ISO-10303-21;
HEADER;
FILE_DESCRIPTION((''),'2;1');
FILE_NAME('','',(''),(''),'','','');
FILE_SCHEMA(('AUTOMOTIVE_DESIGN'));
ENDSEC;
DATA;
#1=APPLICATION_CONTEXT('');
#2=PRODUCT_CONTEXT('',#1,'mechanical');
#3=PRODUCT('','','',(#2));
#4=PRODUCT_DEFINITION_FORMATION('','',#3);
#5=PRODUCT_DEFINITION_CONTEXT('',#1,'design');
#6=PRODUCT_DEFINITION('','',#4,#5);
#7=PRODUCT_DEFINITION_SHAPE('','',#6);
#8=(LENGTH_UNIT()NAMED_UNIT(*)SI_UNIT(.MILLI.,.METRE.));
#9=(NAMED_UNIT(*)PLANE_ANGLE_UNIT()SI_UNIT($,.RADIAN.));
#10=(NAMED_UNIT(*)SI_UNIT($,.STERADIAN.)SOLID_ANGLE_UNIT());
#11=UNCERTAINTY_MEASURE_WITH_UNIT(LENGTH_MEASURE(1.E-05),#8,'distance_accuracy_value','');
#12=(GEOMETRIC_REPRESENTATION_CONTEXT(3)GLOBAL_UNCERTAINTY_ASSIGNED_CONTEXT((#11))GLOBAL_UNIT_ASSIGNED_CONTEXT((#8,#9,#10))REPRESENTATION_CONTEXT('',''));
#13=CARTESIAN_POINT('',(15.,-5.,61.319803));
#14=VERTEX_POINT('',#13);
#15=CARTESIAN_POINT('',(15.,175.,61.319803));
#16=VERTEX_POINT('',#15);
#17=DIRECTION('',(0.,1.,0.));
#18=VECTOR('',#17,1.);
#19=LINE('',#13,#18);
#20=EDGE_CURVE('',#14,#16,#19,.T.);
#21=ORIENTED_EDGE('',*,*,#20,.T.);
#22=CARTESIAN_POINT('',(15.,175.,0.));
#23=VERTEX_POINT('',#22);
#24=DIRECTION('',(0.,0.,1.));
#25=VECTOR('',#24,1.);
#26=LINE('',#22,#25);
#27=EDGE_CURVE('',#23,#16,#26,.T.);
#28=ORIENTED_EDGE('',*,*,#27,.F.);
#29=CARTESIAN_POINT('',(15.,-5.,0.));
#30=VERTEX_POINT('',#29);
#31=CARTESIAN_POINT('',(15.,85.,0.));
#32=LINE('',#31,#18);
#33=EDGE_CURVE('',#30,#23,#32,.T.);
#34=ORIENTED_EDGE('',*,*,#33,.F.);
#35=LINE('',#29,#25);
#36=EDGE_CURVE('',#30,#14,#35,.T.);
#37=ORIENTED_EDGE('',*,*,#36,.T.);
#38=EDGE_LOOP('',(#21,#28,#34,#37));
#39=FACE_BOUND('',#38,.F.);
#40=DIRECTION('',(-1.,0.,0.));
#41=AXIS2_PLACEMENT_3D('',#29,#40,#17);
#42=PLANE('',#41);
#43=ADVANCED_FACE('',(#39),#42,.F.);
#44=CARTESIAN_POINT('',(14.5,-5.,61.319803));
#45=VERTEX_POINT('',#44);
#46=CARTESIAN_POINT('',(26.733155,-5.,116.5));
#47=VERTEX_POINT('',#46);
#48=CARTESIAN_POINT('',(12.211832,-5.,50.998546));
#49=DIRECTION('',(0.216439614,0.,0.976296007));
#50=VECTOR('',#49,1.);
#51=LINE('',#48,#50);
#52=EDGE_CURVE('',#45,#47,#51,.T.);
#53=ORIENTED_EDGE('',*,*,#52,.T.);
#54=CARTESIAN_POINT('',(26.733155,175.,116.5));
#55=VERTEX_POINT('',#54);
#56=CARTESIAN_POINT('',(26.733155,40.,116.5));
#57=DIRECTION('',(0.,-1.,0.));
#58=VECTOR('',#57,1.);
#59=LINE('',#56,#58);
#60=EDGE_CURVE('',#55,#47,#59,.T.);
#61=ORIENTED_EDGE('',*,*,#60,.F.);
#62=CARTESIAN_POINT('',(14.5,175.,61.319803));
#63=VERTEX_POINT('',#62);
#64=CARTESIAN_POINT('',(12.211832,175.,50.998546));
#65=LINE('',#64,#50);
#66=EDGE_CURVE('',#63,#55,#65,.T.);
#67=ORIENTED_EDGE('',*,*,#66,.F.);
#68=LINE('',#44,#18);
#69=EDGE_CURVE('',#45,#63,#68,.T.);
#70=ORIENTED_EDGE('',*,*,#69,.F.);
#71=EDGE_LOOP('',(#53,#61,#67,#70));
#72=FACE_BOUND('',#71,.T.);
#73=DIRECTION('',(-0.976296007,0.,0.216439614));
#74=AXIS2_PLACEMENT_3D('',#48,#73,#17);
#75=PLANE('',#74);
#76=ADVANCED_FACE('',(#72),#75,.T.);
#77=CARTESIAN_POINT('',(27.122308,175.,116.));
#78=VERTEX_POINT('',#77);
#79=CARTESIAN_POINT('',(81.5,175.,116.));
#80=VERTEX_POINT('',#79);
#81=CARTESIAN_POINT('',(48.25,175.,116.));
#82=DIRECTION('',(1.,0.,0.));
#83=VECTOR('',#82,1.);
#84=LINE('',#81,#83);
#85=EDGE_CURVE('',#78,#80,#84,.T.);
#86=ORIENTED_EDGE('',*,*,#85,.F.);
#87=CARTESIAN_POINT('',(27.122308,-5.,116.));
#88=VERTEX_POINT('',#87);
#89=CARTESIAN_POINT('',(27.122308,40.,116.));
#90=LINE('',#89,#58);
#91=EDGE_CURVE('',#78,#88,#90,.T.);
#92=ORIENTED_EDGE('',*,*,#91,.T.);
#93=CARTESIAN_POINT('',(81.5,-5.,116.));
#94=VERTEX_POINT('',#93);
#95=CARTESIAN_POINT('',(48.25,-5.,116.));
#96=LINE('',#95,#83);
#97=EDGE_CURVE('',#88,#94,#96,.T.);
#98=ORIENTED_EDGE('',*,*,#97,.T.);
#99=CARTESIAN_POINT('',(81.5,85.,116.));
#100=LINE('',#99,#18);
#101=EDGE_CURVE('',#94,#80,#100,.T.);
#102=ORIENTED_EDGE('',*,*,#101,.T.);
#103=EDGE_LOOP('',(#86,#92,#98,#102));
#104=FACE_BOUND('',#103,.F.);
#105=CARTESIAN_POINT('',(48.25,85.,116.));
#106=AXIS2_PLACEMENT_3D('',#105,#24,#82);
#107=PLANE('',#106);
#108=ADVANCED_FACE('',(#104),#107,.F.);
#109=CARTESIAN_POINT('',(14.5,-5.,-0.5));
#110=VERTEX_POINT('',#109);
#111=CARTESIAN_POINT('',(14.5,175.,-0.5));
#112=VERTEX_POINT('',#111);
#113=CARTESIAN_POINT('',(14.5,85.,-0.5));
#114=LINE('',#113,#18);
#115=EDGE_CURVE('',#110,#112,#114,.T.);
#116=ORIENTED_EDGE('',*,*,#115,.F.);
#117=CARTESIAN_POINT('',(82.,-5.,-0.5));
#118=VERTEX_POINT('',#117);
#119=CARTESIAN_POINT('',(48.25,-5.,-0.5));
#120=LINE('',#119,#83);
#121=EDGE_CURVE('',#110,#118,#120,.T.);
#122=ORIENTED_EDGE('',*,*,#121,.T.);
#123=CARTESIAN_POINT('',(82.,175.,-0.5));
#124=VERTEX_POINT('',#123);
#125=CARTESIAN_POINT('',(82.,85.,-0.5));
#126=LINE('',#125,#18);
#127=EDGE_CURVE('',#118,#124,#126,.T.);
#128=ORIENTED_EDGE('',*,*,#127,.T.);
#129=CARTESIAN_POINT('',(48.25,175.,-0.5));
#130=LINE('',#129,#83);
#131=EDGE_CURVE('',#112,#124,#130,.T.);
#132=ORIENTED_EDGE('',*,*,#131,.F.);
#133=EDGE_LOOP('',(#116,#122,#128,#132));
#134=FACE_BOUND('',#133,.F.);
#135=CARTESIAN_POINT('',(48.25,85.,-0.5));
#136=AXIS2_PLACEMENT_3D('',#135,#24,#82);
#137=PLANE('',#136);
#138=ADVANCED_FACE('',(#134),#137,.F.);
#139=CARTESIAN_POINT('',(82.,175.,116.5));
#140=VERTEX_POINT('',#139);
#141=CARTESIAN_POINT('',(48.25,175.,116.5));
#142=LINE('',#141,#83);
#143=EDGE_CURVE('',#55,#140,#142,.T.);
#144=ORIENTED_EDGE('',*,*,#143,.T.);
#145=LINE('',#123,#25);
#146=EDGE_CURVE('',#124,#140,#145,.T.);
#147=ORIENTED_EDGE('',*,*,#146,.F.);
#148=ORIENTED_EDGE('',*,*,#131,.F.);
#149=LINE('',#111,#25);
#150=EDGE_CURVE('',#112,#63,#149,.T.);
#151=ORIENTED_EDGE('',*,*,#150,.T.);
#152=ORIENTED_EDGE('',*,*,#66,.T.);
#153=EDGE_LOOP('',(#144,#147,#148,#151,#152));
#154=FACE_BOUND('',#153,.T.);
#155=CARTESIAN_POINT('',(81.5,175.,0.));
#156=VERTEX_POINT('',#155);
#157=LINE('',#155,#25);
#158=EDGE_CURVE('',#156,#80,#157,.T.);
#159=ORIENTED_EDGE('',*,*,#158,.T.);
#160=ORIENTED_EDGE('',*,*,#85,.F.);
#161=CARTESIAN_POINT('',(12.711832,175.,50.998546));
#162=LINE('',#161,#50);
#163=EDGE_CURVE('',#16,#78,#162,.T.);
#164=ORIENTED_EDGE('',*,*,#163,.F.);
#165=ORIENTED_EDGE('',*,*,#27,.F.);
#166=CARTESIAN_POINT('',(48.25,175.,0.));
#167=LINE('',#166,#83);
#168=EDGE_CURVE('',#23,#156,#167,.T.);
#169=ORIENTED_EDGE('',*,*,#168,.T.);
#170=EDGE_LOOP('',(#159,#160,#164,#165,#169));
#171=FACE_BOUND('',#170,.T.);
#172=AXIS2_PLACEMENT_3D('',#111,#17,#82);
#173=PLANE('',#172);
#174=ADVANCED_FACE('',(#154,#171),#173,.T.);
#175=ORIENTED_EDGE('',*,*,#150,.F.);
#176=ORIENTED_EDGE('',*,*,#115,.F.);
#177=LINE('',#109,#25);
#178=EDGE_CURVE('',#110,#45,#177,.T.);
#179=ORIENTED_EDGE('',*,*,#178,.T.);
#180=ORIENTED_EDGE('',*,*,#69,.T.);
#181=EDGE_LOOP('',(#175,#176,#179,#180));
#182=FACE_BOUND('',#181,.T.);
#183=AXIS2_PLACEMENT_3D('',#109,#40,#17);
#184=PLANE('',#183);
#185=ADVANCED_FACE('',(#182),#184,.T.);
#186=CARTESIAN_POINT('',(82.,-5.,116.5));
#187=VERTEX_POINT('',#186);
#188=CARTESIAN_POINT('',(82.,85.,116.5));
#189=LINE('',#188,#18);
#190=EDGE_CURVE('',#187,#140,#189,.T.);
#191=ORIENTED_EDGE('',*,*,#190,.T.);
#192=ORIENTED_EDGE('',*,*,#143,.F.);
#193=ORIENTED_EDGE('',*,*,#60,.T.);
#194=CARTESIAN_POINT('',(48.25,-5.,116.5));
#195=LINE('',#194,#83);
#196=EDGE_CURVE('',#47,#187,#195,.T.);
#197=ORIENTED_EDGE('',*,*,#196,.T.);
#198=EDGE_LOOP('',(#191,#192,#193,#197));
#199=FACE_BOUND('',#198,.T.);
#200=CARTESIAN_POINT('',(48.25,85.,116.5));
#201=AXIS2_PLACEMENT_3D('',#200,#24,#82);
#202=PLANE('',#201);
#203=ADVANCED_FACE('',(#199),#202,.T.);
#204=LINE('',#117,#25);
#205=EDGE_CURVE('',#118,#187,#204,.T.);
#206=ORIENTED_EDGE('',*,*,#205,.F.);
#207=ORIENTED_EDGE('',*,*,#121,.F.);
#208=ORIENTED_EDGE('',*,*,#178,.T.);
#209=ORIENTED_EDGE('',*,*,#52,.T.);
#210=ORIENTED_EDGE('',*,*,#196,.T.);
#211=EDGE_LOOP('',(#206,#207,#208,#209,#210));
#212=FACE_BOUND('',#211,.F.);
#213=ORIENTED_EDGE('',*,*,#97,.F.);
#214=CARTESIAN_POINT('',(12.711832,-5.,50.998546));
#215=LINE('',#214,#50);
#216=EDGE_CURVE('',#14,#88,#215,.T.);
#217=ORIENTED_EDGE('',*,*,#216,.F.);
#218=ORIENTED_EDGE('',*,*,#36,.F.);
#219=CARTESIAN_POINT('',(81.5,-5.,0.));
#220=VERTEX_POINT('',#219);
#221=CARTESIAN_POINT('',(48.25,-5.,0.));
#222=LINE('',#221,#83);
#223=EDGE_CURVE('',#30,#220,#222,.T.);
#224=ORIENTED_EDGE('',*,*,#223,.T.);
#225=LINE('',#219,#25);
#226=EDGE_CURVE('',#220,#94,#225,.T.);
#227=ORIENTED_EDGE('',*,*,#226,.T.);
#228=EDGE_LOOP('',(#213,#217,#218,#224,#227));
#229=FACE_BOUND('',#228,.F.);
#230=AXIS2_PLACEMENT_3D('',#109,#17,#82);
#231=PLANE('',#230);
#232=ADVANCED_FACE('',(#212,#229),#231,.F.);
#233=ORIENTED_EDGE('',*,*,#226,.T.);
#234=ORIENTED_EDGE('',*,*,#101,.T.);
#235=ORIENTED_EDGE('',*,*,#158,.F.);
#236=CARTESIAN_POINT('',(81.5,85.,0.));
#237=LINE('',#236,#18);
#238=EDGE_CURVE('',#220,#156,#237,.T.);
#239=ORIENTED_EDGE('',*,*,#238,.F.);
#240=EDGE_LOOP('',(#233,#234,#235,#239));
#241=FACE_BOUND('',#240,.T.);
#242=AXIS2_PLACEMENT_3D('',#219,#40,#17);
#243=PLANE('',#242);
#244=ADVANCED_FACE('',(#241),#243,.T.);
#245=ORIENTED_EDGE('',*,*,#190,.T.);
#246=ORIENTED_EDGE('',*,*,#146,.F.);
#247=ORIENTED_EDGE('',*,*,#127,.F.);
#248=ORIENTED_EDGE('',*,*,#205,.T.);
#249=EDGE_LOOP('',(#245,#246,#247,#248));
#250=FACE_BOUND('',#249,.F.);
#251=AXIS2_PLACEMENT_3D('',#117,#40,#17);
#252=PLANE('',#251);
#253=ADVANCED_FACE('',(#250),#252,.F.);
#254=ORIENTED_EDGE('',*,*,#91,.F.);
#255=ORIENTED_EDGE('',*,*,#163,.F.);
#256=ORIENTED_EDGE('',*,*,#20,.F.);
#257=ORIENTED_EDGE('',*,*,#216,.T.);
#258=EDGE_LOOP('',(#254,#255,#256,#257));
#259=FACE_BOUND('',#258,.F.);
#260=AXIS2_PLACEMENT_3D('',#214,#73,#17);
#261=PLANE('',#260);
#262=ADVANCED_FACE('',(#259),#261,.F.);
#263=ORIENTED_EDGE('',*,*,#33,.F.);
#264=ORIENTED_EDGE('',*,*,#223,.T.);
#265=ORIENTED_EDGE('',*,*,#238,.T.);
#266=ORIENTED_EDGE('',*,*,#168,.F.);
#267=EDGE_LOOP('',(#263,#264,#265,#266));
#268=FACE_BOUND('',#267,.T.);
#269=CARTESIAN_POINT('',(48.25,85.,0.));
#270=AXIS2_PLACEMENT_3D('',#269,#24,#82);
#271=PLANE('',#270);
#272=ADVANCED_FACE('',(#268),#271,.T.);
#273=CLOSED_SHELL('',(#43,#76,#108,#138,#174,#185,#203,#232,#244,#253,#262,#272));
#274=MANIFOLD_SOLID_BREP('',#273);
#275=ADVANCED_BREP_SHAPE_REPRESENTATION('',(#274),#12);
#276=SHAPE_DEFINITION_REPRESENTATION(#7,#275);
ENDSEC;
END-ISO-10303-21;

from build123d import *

# Parameters (mm, degrees)
BOX014_W           = 67
BOX014_H           = 180
BOX014_DEPTH       = 116
BOX014_PITCH_ANGLE = 12.5
BOX012_W           = 66.5
BOX012_H           = 180
BOX012_DEPTH       = 116
BOX015_W           = 67
BOX015_H           = 180
BOX015_DEPTH       = 116
BOX015_PITCH_ANGLE = 12.5
BOX013_W           = 67.5
BOX013_H           = 180
BOX013_DEPTH       = 117


with BuildPart() as cube415:
    # Box014 → Box014 (new body)
    with BuildSketch(Plane.XY):
        with Locations((33.5, 90)):
            Rectangle(BOX014_W, BOX014_H)
    extrude(amount=BOX014_DEPTH)


with BuildPart() as cube415_1:
    # Box014 pitch: moved
    add(cube415.part.rotate(Axis((0, 0, 0), (0, 1, 0)), BOX014_PITCH_ANGLE))


with BuildPart() as cube415_2:
    # Box014 placement: moved
    add(cube415_1.part.moved(Location((-53.2, 0, 65))))


with BuildPart() as cut333:
    # Box012 → Box012 (new body)
    with BuildSketch(Plane(origin=(14.5, 0, -0.5), x_dir=(1, 0, 0), z_dir=(0, 0, 1))):
        with Locations((33.25, 90)):
            Rectangle(BOX012_W, BOX012_H)
    extrude(amount=BOX012_DEPTH)

    # Cut006: cut Cube415
    add(cube415_2.part, mode=Mode.SUBTRACT)


with BuildPart() as cut333_1:
    # Cut006 placement: moved
    add(cut333.part.moved(Location((0, -2, 0))))


with BuildPart() as cube417:
    # Box015 → Box015 (new body)
    with BuildSketch(Plane.XY):
        with Locations((33.5, 90)):
            Rectangle(BOX015_W, BOX015_H)
    extrude(amount=BOX015_DEPTH)


with BuildPart() as cube417_1:
    # Box015 pitch: moved
    add(cube417.part.rotate(Axis((0, 0, 0), (0, 1, 0)), BOX015_PITCH_ANGLE))


with BuildPart() as cube417_2:
    # Box015 placement: moved
    add(cube417_1.part.moved(Location((-53.7, 0, 65))))


with BuildPart() as cut008:
    # Box013 → Box013 (new body)
    with BuildSketch(Plane(origin=(14, 0, -1), x_dir=(1, 0, 0), z_dir=(0, 0, 1))):
        with Locations((33.75, 90)):
            Rectangle(BOX013_W, BOX013_H)
    extrude(amount=BOX013_DEPTH)

    # Cut005: cut Cube417
    add(cube417_2.part, mode=Mode.SUBTRACT)


with BuildPart() as cut008_1:
    # Cut005 placement: moved
    add(cut008.part.moved(Location((0, -2, 0))))

    # Cut008: cut Cut333
    add(cut333_1.part, mode=Mode.SUBTRACT)


with BuildPart() as cut008_2:
    # Cut008 placement: moved
    add(cut008_1.part.moved(Location((0.5, -3, 0.5))))


solid = cut008_2.part
